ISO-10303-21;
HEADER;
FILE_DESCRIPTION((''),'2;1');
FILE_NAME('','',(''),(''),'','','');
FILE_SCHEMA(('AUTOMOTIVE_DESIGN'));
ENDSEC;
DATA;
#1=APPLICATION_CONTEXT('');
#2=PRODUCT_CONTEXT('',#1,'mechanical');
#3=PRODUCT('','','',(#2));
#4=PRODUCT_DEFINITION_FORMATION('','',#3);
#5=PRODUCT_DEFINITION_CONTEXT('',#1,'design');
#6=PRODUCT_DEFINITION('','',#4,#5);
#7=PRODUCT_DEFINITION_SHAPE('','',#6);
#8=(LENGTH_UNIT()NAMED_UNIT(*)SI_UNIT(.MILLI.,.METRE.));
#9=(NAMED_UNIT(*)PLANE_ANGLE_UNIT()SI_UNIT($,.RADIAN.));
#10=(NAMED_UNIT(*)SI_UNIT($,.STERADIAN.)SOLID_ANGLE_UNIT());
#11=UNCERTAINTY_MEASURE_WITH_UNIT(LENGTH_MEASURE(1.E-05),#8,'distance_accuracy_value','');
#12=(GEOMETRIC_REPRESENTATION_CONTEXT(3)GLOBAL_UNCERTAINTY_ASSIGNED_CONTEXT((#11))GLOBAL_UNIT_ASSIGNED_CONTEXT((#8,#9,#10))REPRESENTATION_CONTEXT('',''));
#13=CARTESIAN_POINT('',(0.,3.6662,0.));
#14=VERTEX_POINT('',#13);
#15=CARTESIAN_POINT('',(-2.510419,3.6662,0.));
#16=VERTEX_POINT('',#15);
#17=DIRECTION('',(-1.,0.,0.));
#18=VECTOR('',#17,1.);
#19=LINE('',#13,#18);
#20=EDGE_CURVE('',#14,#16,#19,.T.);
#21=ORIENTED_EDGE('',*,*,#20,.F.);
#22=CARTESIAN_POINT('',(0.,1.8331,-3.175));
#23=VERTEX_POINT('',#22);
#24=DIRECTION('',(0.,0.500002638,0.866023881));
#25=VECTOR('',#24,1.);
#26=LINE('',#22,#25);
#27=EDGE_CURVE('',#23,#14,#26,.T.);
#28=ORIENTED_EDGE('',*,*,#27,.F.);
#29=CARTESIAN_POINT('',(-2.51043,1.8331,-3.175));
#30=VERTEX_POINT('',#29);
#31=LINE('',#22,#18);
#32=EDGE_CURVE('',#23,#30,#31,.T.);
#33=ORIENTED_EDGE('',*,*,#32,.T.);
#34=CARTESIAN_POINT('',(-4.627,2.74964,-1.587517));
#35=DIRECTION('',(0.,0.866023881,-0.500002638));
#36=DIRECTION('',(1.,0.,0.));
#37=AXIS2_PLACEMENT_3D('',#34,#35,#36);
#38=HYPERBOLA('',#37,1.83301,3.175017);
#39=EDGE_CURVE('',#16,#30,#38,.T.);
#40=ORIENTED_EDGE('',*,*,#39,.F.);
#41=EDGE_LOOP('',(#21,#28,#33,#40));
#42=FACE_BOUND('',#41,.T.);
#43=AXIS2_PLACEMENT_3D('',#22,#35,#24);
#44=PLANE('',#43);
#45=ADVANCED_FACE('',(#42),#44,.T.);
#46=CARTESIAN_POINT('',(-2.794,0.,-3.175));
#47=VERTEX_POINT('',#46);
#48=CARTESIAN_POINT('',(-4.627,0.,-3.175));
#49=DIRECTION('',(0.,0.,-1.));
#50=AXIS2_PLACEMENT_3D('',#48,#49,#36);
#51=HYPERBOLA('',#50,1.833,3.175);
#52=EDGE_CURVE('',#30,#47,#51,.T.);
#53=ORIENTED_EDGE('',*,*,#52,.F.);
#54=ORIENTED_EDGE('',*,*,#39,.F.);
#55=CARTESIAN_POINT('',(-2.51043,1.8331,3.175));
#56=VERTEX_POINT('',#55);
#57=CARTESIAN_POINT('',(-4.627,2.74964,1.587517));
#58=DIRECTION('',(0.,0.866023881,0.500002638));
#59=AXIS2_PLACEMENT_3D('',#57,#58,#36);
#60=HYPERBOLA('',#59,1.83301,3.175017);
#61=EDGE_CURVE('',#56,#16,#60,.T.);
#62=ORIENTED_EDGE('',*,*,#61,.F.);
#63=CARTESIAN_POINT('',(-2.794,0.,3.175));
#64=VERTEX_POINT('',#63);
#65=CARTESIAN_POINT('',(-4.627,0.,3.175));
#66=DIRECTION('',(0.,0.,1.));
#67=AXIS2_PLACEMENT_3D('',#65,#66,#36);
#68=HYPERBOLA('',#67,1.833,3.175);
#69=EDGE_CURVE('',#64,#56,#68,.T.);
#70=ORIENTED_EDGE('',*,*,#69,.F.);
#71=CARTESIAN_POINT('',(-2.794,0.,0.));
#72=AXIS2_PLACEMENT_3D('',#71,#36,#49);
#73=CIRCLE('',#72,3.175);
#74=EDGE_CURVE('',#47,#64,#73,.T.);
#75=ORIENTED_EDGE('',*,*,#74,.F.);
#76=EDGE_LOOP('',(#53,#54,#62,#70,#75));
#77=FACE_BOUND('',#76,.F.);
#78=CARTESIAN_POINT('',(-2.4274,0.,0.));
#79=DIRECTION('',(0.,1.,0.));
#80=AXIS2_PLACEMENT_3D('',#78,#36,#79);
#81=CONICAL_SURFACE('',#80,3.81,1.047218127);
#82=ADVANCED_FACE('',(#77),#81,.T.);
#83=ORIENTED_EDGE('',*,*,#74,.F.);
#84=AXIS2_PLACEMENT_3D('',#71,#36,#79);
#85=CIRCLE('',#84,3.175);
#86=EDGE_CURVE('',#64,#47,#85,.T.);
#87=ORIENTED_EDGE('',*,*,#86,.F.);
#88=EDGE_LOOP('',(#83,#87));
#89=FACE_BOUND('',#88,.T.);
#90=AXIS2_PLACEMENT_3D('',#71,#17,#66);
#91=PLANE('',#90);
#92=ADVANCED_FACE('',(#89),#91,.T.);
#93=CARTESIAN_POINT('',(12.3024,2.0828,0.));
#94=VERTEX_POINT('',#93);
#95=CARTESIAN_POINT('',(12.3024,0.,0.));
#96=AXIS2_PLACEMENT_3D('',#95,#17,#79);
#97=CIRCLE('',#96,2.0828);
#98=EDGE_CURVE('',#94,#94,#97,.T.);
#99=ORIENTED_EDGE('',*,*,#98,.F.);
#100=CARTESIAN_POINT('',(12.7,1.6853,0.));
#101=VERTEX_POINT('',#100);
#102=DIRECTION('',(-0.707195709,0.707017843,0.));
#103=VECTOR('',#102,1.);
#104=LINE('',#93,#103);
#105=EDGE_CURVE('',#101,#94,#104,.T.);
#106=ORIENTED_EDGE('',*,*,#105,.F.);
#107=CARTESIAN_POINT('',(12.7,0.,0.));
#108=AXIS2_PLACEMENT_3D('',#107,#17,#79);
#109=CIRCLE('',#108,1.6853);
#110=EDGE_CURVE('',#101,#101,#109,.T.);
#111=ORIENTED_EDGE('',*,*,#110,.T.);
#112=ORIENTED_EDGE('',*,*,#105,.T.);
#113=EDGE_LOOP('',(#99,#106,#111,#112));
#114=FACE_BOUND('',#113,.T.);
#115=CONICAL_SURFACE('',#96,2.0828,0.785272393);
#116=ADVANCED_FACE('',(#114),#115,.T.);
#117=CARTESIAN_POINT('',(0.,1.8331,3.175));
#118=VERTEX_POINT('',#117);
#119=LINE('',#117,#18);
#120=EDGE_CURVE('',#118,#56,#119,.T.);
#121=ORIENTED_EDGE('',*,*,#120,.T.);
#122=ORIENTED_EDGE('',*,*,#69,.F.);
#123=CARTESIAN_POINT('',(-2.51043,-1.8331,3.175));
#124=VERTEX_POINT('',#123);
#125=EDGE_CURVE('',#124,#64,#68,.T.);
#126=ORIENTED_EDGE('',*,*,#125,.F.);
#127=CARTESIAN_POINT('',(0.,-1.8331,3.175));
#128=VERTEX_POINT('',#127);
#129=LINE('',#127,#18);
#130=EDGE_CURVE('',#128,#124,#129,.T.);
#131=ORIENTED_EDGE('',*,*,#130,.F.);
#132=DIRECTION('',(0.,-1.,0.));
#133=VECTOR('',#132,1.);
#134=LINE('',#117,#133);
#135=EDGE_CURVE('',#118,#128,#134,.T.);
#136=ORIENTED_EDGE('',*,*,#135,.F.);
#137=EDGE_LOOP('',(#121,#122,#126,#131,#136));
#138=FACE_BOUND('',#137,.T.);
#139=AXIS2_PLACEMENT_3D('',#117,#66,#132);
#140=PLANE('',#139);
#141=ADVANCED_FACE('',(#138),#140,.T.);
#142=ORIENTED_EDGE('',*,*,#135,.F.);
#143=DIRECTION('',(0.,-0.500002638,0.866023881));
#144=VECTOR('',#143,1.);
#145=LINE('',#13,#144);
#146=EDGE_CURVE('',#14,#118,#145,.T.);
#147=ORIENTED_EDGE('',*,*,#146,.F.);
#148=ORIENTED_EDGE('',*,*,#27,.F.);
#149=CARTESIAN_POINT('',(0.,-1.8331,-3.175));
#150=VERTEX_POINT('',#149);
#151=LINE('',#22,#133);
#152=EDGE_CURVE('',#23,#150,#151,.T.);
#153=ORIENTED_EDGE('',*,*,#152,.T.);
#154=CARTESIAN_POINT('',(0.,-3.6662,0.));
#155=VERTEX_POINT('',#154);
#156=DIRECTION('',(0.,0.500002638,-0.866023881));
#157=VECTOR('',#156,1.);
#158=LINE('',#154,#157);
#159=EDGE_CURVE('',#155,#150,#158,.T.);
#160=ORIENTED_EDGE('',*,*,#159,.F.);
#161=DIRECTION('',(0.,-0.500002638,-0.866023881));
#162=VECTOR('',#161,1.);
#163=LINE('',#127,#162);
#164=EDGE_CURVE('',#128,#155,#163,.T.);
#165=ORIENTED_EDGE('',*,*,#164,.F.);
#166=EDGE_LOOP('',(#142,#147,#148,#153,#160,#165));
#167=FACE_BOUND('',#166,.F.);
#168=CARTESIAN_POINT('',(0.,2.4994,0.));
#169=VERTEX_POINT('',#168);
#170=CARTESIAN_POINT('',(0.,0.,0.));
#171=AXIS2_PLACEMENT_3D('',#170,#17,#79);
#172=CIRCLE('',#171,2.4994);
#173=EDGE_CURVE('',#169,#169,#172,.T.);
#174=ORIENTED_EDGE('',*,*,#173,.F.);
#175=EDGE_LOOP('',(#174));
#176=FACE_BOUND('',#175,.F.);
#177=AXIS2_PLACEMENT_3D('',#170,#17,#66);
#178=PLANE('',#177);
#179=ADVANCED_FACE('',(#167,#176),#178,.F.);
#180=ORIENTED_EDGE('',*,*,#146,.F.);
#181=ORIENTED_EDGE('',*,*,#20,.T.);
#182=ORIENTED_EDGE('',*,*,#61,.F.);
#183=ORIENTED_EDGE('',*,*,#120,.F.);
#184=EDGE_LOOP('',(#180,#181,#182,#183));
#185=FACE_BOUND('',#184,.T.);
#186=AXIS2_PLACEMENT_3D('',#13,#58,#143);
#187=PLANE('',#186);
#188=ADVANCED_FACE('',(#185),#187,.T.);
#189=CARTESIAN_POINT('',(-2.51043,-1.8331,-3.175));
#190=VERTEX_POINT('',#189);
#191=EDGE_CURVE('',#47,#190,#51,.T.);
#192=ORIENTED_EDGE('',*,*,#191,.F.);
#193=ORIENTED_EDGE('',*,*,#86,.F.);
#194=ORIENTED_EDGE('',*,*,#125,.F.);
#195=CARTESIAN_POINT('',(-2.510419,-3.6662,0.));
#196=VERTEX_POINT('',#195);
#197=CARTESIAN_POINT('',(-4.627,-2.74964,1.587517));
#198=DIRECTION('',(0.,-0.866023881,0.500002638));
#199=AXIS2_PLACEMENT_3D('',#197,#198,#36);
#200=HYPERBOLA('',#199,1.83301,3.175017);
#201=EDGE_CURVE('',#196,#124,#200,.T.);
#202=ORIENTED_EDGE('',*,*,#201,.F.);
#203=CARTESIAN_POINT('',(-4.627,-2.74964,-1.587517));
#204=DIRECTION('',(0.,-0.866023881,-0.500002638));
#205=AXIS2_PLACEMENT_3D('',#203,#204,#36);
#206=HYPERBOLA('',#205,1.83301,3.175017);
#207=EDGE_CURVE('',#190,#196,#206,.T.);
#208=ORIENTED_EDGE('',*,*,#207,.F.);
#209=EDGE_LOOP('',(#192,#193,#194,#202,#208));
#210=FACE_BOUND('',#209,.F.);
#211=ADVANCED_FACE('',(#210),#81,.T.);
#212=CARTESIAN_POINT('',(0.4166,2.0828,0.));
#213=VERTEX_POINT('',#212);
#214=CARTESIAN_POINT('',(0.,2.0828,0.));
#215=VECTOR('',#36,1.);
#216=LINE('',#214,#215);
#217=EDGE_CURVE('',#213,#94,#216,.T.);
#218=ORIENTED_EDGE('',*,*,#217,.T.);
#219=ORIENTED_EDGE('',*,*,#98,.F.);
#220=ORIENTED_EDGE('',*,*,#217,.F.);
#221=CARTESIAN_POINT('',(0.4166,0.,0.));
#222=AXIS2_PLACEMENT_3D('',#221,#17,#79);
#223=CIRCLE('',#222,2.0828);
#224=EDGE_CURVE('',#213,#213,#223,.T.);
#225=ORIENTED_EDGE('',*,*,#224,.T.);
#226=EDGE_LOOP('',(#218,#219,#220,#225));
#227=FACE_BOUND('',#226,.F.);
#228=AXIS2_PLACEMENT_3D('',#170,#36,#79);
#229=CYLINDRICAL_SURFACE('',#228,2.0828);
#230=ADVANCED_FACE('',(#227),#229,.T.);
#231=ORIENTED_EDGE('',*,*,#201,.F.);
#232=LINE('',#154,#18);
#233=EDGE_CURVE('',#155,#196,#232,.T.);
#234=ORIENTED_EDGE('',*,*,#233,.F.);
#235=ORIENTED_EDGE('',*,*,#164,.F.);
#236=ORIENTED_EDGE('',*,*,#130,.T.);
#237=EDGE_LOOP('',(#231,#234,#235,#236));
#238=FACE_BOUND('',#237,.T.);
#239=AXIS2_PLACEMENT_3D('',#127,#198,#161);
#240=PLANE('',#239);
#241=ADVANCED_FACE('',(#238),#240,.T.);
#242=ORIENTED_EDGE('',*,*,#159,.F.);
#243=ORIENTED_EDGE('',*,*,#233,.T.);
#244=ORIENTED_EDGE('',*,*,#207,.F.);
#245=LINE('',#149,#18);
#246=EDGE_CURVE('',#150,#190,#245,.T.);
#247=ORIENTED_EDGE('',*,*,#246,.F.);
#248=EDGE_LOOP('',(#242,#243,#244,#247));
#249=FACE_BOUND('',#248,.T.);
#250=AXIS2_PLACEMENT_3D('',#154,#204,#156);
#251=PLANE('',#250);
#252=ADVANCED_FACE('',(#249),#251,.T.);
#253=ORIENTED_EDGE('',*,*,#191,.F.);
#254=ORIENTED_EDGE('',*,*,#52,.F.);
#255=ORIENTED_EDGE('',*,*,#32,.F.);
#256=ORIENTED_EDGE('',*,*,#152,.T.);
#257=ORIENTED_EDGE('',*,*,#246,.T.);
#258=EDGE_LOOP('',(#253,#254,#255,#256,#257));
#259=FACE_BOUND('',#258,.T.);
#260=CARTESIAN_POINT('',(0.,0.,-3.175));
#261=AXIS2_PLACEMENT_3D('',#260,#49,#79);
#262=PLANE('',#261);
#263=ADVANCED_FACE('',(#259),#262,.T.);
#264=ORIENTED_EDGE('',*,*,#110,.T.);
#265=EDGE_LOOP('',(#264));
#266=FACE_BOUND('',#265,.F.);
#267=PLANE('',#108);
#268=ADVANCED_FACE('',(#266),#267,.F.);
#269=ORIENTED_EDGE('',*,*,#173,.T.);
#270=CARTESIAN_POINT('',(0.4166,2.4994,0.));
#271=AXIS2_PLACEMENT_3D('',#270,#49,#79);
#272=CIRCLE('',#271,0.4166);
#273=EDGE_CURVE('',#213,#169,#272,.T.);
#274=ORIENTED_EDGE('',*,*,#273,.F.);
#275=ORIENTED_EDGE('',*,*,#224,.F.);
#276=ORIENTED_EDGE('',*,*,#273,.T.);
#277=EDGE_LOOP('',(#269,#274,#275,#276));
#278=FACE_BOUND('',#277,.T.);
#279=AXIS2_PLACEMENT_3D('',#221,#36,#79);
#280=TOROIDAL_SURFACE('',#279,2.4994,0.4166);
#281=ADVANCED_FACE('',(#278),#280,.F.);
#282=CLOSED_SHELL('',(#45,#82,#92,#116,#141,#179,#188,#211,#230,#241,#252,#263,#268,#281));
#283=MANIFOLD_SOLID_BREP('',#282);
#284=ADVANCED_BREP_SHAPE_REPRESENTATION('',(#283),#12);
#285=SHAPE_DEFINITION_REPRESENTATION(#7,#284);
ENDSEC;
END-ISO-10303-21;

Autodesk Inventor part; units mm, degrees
ref_plane "YZ Plane" through (0, 0, 0) normal (1, 0, 0) x (0, 1, 0)
ref_plane "XZ Plane" through (0, 0, 0) normal (0, 1, 0) x (-1, 0, 0)
sketch "Sketch1" plane through (0, 0, 0) normal (0, 0, 1) x (1, 0, 0)
  line L0 (0, 2.0828) -> (12.7, 2.0828)
  line L1 (12.7, 2.0828) -> (12.7, 0)
  line L2 (12.7, 0) -> (0, 0)
  line L3 (-2.54, 0) -> (15.24, 0) projected
  line L4 (0, -0.4166) -> (0, 2.4994) projected
  line L5 (0, 2.0828) -> (0, 0)
  dimension "d2" = 4.1656
  dimension "d59" = 12.7
revolve "Body" add sketch "Sketch1" angle 360 about axis through (12.7, 0, 0) along (-1, 0, 0)
sketch "Sketch2" plane through (0, 0, 0) normal (-1, 0, 0) x (0, 0, 1)
  line L0 (0, 3.6662) -> (3.175, 1.8331)
  line L1 (3.175, 1.8331) -> (3.175, -1.8331)
  line L2 (3.175, -1.8331) -> (0, -3.6662)
  line L3 (0, -3.6662) -> (-3.175, -1.8331)
  line L4 (-3.175, -1.8331) -> (-3.175, 1.8331)
  line L5 (-3.175, 1.8331) -> (0, 3.6662)
  line L6 (-4.445, 0) -> (4.445, 0) projected
  line L7 (0, 5.1326) -> (0, -5.1326) projected
  point P0 (0, 0)
  point P1 (0, 0)
  dimension "d11" = 6.35
extrude "Head" add sketch "Sketch2" along normal blind 2.794
sketch "Sketch4" plane through (0, 0, 0) normal (0, 0, 1) x (1, 0, 0)
  line L0 (-2.4274, 3.81) -> (-2.794, 3.175)
  line L1 (-1.1, 0) -> (-0.234, 0)
  line L2 (-3.306, 0) -> (0.278, 0) projected
  line L3 (-2.794, 3.81) -> (-2.4274, 3.81)
  line L4 (-2.794, 3.175) -> (-2.794, 3.81)
  line L5 (0, 4.572) -> (0, -0.762) projected
  dimension "d65" = 6.35
  dimension "d67" = 30
  dimension "d68" = 7.62
  dimension "d69" = 2.794
revolve "Chamfer1" cut sketch "Sketch4" angle 360 about axis through (-1.1, 0, 0) along (1, 0, 0)
thread "Thread" size "8-32 UNC" class "2A" standard "ANSI Unified Screw Threads" length 31.2623
chamfer "Chamfer2" distance 0.3975 distance2 0.3976 1 edges at (12.7, -2.0828, 0) measured on face at (12.7, 0.4208, -1.1095)
fillet "Fillet" radius 0.4166 1 edges at (0, -2.0828, 0)
ref_plane "Work Plane1" through (1.525, 0, 0) normal (0, 0, 1) x (1, 0, 0)
equation "\"d2\" = GD"
equation "\"d11\" = SW"
equation "\"d3\" = KOH"
equation "\"d15\" = GEL"
equation "\"d6\" = -0.5 * SPD + 0.5 * GD"
equation "\"d71\" = RR"
equation "\"d65\" = SW"
equation "\"d67\" = ANG1"
equation "\"d68\" = 1.2 * SW"
equation "\"d69\" = KOH"
equation "\"NLG\" = 31.75"
equation "\"GD\" = NND"
equation "\"BDM\" = NND"
equation "\"KOH\" = 2.794"
equation "\"GEL\" = 31.26232"
equation "\"SW\" = 6.35"
equation "\"SW0\" = SW"
equation "\"SPD\" = GD1"
equation "\"SD2\" = NND"
equation "\"SD\" = 0"
equation "\"ANG1\" = 30deg"
equation "\"GAL\" = 0.39751"
equation "\"GUL\" = GAL"
equation "\"RR\" = 0.41656"
equation "\"RR1\" = 0.1"
equation "\"GD1\" = 3.37058"
equation "\"THREADDIA\" = 4.1656"
equation "\"TOA\" = 30deg"
equation "\"NND\" = 4.1656"
equation "\"E0\" = 1.155 * SW"
properties part number "ANSI B18.6.3 - No. 8 - 32 - 1 1/4" material "Steel, Mild"
